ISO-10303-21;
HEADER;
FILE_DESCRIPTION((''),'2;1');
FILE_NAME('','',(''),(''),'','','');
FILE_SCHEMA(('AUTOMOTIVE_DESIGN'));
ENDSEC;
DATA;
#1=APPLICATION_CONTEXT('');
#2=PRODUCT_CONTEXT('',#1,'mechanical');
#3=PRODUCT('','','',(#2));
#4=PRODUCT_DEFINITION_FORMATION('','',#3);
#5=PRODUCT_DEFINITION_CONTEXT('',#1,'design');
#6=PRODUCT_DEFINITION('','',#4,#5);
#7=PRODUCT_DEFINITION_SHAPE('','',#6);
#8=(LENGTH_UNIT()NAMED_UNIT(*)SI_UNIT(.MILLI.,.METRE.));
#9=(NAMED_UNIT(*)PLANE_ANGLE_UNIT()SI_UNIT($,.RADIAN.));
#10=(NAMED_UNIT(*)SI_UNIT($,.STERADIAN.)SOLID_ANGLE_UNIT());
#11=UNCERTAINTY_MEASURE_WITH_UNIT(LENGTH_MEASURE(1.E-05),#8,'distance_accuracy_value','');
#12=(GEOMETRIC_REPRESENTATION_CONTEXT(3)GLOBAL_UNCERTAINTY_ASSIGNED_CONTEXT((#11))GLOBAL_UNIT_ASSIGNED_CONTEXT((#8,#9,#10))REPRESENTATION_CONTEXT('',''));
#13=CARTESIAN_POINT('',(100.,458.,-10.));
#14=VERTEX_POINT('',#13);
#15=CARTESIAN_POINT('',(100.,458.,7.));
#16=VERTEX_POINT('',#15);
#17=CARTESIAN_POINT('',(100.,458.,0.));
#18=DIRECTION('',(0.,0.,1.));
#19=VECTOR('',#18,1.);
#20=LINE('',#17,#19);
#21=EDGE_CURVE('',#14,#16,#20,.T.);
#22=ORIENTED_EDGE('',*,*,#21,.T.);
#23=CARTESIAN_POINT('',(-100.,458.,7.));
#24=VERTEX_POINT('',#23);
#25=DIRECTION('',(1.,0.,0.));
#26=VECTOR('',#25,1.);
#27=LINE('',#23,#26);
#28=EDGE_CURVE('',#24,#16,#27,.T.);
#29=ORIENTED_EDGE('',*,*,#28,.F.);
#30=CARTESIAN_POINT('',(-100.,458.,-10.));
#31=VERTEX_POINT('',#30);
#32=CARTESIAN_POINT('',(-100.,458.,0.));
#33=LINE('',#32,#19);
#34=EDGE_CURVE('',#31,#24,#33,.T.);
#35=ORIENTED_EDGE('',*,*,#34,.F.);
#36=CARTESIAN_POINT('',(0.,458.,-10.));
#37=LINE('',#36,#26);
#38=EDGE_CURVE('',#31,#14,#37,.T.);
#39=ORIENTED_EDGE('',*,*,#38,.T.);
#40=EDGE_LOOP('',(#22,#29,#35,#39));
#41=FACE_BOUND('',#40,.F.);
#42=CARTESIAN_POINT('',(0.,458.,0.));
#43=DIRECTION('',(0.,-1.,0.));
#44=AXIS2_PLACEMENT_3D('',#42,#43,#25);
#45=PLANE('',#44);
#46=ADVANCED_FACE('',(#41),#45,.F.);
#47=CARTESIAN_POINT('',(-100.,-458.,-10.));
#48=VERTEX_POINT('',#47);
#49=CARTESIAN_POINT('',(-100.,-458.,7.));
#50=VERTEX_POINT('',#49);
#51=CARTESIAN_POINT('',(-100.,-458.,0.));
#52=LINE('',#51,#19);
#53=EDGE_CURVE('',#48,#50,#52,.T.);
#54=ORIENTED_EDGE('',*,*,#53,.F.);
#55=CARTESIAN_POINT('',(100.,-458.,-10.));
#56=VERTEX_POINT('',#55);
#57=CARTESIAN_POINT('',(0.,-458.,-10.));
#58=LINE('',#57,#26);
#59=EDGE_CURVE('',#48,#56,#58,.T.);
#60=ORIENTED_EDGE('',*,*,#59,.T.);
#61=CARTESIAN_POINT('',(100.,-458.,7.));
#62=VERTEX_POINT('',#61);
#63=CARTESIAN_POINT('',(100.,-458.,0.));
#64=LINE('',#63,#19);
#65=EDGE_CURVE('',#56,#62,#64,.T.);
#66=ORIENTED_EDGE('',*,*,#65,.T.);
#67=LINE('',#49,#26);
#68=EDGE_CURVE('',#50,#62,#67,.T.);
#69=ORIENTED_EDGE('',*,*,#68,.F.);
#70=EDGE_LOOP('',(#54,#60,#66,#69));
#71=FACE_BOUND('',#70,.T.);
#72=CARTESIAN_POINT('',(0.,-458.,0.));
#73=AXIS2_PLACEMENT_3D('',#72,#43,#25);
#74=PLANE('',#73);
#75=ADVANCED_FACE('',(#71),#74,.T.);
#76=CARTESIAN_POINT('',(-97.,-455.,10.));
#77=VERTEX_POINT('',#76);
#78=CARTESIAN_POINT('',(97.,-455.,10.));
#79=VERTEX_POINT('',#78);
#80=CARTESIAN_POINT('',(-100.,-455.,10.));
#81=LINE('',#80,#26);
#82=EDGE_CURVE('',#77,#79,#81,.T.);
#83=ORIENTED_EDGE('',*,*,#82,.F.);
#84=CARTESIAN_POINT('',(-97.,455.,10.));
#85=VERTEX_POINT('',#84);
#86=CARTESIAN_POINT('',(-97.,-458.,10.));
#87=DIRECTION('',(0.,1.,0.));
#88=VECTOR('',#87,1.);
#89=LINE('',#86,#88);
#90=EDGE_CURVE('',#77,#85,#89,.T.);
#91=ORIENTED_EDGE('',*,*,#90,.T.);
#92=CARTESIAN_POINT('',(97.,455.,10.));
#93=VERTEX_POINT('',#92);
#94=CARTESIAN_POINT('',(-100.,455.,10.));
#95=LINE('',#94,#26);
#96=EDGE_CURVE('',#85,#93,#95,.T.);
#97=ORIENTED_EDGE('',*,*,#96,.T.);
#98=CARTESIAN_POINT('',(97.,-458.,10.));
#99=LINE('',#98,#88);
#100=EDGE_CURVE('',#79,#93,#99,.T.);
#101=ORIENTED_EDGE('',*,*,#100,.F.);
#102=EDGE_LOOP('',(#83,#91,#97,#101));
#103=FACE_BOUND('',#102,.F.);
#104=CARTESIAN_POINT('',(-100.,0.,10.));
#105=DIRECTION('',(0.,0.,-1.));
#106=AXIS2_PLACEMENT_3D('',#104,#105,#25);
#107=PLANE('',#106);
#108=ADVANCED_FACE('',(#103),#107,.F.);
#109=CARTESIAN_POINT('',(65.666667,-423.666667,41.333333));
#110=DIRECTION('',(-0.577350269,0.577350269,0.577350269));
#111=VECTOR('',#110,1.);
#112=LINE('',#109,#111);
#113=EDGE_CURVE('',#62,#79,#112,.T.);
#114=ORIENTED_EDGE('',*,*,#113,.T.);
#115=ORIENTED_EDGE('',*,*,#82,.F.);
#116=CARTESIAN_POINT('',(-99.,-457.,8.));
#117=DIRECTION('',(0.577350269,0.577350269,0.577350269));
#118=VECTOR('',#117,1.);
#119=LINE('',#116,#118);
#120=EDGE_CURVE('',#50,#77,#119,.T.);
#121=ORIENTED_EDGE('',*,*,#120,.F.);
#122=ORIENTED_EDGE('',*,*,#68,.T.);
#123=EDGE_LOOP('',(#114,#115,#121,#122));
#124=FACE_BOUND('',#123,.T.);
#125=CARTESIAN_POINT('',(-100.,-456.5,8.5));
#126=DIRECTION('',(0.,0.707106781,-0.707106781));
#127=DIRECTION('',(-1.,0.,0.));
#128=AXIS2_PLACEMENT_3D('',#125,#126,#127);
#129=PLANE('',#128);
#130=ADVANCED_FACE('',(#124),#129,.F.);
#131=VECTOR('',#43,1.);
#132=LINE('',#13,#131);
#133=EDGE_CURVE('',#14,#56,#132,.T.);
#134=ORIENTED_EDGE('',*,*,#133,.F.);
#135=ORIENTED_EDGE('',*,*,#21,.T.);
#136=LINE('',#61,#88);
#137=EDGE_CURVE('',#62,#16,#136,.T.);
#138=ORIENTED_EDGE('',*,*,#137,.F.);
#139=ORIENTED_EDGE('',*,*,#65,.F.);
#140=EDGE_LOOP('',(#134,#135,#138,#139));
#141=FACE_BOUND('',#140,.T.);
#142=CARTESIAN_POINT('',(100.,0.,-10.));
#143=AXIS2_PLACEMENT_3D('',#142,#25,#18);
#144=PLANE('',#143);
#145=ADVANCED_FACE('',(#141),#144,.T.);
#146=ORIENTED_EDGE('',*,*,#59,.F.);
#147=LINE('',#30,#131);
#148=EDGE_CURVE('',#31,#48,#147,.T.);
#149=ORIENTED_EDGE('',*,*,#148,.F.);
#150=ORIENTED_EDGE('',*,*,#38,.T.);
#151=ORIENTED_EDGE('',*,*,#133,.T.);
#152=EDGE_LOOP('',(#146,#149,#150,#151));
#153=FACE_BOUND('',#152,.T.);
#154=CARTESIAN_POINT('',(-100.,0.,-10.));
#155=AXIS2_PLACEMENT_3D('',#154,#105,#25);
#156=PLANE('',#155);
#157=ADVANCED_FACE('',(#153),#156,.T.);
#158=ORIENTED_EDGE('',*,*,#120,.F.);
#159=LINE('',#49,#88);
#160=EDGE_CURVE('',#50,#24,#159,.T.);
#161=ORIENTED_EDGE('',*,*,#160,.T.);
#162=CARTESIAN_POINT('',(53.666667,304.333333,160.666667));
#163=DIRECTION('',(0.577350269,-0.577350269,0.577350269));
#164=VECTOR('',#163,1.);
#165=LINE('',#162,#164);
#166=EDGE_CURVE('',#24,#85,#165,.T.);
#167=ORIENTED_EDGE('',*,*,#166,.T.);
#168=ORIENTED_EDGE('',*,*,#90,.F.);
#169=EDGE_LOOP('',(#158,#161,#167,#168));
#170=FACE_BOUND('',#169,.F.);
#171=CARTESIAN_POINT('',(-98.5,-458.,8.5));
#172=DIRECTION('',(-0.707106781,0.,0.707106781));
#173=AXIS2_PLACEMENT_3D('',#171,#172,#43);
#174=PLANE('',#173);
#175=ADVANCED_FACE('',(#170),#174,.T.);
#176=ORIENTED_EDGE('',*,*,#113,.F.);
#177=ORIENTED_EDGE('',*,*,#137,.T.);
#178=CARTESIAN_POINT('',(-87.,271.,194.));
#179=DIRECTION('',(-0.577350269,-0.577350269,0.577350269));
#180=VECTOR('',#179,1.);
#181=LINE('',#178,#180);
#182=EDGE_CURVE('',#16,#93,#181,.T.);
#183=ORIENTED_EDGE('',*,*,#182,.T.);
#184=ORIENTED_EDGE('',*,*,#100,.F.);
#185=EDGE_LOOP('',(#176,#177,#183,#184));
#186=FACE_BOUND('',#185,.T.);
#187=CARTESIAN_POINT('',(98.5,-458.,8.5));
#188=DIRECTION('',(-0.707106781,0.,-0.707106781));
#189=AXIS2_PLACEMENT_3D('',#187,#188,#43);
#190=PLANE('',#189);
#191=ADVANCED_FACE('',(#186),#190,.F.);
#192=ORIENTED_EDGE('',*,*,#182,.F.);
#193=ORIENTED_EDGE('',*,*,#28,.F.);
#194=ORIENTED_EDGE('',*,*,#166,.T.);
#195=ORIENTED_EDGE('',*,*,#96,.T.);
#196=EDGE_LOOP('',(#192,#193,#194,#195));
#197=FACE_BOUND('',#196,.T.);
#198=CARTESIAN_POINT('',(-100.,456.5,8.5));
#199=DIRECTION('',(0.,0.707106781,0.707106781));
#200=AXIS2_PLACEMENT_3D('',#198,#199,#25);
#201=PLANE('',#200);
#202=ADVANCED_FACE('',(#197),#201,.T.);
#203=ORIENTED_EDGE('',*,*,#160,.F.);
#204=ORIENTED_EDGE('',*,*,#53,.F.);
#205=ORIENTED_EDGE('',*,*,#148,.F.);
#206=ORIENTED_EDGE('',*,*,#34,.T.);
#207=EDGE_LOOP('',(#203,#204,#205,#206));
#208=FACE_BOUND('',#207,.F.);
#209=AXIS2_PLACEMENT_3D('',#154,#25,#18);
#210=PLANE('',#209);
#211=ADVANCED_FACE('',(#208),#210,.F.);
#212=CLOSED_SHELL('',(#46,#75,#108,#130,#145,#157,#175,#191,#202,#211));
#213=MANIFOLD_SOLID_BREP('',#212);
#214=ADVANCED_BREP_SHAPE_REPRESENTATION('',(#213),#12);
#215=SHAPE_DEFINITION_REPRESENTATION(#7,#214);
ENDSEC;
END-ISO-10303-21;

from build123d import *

# Parameters (mm, degrees)
F0_W     = 200
F0_H     = 20
F1_DEPTH = 458
F2_SIZE  = 3


with BuildPart() as f1:
    # F0 (on Front) → F1 (new body, symmetric)
    with BuildSketch(Plane.XZ):
        Rectangle(F0_W, F0_H)
    extrude(amount=F1_DEPTH, both=True)

    # F2
    f2_edges = [f1.edges().sort_by_distance(p)[0] for p in [
        (100, 0, 10),
        (-100, 0, 10),
        (0, -458, 10),
        (0, 458, 10),
    ]]
    chamfer(f2_edges, length=F2_SIZE)


solid = f1.part
